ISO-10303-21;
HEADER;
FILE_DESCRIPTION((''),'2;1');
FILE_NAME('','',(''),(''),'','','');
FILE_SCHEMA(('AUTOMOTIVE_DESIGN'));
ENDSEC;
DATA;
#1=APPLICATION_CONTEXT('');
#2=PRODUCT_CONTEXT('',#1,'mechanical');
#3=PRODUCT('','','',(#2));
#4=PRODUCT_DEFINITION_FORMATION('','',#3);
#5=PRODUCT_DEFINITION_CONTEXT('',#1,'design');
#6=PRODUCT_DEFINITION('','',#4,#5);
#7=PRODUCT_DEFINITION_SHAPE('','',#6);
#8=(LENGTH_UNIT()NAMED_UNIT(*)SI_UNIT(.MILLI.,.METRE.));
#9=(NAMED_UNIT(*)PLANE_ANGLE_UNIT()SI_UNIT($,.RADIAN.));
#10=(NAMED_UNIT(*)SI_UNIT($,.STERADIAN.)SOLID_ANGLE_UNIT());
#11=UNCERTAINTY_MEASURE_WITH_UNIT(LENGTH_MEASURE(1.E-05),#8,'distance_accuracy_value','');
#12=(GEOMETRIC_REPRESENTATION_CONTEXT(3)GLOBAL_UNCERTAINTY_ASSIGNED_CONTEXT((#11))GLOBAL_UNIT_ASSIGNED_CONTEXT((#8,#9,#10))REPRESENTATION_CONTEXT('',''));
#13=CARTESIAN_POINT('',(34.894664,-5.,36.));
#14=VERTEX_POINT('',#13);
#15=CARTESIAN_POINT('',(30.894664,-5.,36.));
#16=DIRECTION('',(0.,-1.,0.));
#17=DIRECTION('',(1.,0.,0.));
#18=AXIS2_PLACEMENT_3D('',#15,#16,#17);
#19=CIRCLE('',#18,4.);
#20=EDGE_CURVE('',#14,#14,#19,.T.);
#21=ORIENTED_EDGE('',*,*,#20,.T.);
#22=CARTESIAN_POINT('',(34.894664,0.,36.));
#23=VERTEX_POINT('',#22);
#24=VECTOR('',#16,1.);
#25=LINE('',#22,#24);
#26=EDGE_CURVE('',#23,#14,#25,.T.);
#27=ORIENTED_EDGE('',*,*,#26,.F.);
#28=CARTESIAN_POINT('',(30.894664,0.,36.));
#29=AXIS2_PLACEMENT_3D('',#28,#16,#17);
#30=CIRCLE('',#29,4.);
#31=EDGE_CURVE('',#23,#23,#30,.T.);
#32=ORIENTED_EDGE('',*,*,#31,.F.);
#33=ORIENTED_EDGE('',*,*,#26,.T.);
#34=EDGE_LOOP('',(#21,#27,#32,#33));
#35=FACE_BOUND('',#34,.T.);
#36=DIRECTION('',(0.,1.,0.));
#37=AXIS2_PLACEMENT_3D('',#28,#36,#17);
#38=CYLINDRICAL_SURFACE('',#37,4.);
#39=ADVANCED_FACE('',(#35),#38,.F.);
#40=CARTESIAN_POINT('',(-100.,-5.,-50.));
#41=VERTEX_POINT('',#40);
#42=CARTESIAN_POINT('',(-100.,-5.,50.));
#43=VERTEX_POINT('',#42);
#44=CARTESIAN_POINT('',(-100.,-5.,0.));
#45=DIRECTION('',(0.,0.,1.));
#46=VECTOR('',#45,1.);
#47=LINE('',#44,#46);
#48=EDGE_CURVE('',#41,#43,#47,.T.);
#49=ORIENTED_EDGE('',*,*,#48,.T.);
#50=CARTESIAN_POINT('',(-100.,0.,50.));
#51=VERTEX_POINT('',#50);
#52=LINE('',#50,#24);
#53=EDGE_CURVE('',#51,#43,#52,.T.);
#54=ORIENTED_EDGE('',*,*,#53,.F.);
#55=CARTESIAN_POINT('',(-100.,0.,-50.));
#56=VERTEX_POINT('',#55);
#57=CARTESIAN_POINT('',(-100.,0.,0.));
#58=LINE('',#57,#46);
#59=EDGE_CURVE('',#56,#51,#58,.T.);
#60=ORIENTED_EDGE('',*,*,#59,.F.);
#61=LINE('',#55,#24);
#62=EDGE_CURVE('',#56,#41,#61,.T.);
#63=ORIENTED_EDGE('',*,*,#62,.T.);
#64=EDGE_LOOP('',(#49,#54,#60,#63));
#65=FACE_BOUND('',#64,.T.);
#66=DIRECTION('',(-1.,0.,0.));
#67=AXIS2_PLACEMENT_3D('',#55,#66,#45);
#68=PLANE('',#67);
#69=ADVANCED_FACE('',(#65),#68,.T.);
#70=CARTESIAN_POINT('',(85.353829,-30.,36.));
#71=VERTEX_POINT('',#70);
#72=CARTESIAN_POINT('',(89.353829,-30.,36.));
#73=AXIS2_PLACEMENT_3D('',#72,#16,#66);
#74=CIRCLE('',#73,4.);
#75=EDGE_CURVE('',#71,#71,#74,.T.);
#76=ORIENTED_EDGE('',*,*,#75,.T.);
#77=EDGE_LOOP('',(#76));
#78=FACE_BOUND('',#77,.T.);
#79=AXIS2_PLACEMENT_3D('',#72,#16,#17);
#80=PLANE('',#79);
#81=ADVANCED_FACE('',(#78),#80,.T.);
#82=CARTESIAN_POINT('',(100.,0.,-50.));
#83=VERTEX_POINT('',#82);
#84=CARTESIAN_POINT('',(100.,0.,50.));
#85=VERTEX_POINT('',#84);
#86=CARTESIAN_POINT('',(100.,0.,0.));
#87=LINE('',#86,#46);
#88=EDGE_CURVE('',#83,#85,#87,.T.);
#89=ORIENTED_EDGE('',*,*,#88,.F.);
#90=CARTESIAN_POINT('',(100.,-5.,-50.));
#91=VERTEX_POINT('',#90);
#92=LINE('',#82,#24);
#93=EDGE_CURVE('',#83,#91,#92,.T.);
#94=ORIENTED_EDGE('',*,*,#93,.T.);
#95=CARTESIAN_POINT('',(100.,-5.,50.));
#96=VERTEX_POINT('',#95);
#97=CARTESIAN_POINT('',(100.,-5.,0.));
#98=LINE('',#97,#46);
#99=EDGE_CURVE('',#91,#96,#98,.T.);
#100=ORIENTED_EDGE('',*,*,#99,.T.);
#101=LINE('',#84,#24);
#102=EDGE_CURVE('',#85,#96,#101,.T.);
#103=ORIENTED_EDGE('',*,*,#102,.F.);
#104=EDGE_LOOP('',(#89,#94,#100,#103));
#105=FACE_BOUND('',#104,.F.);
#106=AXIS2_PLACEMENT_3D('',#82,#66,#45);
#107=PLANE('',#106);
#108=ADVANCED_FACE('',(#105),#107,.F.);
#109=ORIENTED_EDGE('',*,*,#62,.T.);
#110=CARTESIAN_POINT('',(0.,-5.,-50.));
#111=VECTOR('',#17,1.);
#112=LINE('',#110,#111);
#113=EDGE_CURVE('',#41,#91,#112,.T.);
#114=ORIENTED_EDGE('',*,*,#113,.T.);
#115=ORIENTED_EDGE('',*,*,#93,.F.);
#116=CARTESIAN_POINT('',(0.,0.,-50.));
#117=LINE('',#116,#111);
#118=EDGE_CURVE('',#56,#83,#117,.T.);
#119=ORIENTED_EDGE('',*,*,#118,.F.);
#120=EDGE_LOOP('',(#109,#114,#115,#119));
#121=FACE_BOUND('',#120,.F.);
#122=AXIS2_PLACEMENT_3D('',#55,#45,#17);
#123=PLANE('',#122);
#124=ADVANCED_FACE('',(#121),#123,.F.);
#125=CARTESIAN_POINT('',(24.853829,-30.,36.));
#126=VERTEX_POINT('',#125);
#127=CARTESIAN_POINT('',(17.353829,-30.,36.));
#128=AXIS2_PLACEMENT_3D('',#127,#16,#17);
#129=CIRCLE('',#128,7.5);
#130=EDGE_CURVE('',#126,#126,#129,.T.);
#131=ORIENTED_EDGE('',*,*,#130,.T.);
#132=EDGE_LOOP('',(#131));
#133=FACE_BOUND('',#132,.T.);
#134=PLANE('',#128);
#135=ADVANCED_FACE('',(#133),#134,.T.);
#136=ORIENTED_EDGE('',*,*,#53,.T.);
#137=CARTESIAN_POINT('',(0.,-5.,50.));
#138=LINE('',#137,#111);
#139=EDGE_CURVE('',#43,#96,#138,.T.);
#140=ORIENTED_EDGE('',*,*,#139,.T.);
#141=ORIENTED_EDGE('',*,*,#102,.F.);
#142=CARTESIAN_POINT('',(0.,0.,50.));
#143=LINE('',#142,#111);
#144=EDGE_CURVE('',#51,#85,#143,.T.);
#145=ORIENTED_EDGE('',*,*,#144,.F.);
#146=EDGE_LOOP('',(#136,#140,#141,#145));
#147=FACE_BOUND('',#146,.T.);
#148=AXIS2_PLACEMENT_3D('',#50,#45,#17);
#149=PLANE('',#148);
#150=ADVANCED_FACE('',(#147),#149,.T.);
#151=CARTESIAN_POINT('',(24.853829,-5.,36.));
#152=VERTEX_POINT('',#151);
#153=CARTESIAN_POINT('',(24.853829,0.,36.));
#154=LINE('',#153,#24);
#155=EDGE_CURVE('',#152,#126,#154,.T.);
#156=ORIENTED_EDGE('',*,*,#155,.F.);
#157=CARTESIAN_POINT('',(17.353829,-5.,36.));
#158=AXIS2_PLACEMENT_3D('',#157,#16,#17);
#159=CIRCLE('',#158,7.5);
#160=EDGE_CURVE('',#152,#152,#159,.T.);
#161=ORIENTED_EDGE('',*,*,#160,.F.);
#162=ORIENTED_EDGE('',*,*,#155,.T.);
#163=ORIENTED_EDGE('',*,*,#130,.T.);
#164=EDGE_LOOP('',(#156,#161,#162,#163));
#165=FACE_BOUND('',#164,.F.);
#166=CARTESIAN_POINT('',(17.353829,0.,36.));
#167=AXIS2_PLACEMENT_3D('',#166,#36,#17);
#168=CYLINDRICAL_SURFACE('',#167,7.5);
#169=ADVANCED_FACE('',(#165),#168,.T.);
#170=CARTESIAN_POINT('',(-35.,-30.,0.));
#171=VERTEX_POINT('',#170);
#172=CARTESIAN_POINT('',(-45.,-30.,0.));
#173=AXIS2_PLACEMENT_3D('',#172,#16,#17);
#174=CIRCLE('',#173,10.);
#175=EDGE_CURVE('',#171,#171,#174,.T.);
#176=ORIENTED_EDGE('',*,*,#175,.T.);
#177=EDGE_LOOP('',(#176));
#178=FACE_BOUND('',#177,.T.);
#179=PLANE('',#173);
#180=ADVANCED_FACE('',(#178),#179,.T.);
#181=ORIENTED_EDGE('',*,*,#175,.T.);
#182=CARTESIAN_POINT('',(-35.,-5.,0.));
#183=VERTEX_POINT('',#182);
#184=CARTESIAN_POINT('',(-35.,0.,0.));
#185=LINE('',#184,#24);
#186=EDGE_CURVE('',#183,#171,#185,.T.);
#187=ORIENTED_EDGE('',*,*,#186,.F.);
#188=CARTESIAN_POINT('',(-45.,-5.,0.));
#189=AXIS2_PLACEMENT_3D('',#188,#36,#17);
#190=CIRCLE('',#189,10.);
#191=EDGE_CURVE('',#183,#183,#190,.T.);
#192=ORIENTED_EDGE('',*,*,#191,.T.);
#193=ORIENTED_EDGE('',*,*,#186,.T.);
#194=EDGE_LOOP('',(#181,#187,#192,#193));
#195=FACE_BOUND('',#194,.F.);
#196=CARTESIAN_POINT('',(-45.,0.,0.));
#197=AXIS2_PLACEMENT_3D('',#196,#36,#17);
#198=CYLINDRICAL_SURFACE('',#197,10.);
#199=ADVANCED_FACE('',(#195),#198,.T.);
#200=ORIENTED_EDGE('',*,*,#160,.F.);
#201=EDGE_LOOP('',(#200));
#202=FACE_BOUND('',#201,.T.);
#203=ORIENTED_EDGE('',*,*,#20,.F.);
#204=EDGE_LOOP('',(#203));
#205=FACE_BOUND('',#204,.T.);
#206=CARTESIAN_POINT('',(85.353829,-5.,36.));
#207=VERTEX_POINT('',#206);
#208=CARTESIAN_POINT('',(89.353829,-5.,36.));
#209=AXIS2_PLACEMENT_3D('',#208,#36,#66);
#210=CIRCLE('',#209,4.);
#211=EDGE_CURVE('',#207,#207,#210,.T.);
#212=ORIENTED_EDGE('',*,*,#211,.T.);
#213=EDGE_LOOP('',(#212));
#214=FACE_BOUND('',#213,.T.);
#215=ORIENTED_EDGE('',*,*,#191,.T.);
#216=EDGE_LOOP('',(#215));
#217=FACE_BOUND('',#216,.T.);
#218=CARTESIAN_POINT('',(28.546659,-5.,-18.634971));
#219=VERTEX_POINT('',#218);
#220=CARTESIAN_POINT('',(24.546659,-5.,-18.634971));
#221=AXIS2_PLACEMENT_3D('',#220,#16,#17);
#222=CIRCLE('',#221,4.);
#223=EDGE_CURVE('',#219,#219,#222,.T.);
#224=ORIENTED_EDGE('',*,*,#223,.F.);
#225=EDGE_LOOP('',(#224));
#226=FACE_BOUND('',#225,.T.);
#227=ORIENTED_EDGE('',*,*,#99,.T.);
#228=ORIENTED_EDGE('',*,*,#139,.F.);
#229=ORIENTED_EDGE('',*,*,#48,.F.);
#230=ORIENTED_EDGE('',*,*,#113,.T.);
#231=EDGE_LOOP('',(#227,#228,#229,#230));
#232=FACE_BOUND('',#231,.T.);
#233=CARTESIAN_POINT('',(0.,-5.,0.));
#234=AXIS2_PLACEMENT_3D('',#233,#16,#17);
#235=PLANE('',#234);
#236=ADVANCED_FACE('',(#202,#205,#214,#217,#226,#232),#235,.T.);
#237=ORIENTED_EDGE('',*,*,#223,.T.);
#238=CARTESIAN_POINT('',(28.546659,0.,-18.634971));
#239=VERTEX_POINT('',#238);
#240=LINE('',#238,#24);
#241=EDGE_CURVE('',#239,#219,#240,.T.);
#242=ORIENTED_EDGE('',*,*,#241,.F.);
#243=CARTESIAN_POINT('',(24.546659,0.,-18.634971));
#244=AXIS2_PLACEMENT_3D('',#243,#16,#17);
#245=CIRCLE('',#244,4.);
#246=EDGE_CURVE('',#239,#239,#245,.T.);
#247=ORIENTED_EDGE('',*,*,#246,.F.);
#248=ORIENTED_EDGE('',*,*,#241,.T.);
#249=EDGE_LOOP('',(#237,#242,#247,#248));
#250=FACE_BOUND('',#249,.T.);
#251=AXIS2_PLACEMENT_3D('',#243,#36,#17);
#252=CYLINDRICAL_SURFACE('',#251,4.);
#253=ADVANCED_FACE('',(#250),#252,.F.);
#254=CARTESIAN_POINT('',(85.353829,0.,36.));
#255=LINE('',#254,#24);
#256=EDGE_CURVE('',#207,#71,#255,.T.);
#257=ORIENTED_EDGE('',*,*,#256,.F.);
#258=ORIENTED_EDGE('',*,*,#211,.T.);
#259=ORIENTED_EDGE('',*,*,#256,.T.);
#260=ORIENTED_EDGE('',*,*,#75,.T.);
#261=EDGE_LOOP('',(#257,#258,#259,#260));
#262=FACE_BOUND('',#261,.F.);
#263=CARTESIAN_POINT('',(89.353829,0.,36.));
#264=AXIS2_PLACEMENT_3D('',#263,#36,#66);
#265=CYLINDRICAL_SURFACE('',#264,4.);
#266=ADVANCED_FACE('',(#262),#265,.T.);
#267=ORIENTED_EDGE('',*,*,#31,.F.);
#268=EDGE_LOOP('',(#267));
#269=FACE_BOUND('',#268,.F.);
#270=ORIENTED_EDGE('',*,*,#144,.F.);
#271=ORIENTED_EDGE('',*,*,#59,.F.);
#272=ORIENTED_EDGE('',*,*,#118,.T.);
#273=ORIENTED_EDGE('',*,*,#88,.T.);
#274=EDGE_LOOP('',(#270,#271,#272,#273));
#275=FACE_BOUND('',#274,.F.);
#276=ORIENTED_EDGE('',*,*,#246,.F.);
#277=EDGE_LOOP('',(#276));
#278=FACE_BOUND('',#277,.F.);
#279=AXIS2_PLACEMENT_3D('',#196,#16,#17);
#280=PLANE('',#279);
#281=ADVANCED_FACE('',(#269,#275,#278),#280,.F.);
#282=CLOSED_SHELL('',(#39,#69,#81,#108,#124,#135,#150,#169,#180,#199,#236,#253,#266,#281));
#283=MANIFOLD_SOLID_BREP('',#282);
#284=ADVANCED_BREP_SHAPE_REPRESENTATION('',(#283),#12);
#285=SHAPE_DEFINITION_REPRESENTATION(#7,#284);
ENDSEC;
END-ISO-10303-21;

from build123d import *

# Parameters (mm, degrees)
F0_W     = 200
F0_H     = 100
F0_R     = 4
F0_R_2   = 7.5
F1_DEPTH = 5
F2_R     = 10
F2_R_2   = 7.5
F3_DEPTH = 30


with BuildPart() as f1:
    # F0 (on Front) → F1 (new body)
    with BuildSketch(Plane.XZ):
        Rectangle(F0_W, F0_H)
        with Locations((24.546659, -18.634971)):
            Circle(F0_R, mode=Mode.SUBTRACT)
        with Locations((17.353829, 36)):
            Circle(F0_R_2, mode=Mode.SUBTRACT)
        with Locations((30.894664, 36)):
            Circle(F0_R, mode=Mode.SUBTRACT)
        with Locations((89.353829, 36)):
            Circle(F0_R, mode=Mode.SUBTRACT)
    extrude(amount=F1_DEPTH)

    # F2 (on Front) → F3 (join)
    with BuildSketch(Plane.XZ):
        with Locations((-45, 0)):
            Circle(F2_R)
        with Locations((17.353829, 36)):
            Circle(F2_R_2)
        with BuildLine():
            ThreePointArc((93.353829, 36), (89.353829, 40), (85.353829, 36))
            ThreePointArc((85.353829, 36), (89.353829, 32), (93.353829, 36))
        make_face()
    extrude(amount=F3_DEPTH)


solid = f1.part
